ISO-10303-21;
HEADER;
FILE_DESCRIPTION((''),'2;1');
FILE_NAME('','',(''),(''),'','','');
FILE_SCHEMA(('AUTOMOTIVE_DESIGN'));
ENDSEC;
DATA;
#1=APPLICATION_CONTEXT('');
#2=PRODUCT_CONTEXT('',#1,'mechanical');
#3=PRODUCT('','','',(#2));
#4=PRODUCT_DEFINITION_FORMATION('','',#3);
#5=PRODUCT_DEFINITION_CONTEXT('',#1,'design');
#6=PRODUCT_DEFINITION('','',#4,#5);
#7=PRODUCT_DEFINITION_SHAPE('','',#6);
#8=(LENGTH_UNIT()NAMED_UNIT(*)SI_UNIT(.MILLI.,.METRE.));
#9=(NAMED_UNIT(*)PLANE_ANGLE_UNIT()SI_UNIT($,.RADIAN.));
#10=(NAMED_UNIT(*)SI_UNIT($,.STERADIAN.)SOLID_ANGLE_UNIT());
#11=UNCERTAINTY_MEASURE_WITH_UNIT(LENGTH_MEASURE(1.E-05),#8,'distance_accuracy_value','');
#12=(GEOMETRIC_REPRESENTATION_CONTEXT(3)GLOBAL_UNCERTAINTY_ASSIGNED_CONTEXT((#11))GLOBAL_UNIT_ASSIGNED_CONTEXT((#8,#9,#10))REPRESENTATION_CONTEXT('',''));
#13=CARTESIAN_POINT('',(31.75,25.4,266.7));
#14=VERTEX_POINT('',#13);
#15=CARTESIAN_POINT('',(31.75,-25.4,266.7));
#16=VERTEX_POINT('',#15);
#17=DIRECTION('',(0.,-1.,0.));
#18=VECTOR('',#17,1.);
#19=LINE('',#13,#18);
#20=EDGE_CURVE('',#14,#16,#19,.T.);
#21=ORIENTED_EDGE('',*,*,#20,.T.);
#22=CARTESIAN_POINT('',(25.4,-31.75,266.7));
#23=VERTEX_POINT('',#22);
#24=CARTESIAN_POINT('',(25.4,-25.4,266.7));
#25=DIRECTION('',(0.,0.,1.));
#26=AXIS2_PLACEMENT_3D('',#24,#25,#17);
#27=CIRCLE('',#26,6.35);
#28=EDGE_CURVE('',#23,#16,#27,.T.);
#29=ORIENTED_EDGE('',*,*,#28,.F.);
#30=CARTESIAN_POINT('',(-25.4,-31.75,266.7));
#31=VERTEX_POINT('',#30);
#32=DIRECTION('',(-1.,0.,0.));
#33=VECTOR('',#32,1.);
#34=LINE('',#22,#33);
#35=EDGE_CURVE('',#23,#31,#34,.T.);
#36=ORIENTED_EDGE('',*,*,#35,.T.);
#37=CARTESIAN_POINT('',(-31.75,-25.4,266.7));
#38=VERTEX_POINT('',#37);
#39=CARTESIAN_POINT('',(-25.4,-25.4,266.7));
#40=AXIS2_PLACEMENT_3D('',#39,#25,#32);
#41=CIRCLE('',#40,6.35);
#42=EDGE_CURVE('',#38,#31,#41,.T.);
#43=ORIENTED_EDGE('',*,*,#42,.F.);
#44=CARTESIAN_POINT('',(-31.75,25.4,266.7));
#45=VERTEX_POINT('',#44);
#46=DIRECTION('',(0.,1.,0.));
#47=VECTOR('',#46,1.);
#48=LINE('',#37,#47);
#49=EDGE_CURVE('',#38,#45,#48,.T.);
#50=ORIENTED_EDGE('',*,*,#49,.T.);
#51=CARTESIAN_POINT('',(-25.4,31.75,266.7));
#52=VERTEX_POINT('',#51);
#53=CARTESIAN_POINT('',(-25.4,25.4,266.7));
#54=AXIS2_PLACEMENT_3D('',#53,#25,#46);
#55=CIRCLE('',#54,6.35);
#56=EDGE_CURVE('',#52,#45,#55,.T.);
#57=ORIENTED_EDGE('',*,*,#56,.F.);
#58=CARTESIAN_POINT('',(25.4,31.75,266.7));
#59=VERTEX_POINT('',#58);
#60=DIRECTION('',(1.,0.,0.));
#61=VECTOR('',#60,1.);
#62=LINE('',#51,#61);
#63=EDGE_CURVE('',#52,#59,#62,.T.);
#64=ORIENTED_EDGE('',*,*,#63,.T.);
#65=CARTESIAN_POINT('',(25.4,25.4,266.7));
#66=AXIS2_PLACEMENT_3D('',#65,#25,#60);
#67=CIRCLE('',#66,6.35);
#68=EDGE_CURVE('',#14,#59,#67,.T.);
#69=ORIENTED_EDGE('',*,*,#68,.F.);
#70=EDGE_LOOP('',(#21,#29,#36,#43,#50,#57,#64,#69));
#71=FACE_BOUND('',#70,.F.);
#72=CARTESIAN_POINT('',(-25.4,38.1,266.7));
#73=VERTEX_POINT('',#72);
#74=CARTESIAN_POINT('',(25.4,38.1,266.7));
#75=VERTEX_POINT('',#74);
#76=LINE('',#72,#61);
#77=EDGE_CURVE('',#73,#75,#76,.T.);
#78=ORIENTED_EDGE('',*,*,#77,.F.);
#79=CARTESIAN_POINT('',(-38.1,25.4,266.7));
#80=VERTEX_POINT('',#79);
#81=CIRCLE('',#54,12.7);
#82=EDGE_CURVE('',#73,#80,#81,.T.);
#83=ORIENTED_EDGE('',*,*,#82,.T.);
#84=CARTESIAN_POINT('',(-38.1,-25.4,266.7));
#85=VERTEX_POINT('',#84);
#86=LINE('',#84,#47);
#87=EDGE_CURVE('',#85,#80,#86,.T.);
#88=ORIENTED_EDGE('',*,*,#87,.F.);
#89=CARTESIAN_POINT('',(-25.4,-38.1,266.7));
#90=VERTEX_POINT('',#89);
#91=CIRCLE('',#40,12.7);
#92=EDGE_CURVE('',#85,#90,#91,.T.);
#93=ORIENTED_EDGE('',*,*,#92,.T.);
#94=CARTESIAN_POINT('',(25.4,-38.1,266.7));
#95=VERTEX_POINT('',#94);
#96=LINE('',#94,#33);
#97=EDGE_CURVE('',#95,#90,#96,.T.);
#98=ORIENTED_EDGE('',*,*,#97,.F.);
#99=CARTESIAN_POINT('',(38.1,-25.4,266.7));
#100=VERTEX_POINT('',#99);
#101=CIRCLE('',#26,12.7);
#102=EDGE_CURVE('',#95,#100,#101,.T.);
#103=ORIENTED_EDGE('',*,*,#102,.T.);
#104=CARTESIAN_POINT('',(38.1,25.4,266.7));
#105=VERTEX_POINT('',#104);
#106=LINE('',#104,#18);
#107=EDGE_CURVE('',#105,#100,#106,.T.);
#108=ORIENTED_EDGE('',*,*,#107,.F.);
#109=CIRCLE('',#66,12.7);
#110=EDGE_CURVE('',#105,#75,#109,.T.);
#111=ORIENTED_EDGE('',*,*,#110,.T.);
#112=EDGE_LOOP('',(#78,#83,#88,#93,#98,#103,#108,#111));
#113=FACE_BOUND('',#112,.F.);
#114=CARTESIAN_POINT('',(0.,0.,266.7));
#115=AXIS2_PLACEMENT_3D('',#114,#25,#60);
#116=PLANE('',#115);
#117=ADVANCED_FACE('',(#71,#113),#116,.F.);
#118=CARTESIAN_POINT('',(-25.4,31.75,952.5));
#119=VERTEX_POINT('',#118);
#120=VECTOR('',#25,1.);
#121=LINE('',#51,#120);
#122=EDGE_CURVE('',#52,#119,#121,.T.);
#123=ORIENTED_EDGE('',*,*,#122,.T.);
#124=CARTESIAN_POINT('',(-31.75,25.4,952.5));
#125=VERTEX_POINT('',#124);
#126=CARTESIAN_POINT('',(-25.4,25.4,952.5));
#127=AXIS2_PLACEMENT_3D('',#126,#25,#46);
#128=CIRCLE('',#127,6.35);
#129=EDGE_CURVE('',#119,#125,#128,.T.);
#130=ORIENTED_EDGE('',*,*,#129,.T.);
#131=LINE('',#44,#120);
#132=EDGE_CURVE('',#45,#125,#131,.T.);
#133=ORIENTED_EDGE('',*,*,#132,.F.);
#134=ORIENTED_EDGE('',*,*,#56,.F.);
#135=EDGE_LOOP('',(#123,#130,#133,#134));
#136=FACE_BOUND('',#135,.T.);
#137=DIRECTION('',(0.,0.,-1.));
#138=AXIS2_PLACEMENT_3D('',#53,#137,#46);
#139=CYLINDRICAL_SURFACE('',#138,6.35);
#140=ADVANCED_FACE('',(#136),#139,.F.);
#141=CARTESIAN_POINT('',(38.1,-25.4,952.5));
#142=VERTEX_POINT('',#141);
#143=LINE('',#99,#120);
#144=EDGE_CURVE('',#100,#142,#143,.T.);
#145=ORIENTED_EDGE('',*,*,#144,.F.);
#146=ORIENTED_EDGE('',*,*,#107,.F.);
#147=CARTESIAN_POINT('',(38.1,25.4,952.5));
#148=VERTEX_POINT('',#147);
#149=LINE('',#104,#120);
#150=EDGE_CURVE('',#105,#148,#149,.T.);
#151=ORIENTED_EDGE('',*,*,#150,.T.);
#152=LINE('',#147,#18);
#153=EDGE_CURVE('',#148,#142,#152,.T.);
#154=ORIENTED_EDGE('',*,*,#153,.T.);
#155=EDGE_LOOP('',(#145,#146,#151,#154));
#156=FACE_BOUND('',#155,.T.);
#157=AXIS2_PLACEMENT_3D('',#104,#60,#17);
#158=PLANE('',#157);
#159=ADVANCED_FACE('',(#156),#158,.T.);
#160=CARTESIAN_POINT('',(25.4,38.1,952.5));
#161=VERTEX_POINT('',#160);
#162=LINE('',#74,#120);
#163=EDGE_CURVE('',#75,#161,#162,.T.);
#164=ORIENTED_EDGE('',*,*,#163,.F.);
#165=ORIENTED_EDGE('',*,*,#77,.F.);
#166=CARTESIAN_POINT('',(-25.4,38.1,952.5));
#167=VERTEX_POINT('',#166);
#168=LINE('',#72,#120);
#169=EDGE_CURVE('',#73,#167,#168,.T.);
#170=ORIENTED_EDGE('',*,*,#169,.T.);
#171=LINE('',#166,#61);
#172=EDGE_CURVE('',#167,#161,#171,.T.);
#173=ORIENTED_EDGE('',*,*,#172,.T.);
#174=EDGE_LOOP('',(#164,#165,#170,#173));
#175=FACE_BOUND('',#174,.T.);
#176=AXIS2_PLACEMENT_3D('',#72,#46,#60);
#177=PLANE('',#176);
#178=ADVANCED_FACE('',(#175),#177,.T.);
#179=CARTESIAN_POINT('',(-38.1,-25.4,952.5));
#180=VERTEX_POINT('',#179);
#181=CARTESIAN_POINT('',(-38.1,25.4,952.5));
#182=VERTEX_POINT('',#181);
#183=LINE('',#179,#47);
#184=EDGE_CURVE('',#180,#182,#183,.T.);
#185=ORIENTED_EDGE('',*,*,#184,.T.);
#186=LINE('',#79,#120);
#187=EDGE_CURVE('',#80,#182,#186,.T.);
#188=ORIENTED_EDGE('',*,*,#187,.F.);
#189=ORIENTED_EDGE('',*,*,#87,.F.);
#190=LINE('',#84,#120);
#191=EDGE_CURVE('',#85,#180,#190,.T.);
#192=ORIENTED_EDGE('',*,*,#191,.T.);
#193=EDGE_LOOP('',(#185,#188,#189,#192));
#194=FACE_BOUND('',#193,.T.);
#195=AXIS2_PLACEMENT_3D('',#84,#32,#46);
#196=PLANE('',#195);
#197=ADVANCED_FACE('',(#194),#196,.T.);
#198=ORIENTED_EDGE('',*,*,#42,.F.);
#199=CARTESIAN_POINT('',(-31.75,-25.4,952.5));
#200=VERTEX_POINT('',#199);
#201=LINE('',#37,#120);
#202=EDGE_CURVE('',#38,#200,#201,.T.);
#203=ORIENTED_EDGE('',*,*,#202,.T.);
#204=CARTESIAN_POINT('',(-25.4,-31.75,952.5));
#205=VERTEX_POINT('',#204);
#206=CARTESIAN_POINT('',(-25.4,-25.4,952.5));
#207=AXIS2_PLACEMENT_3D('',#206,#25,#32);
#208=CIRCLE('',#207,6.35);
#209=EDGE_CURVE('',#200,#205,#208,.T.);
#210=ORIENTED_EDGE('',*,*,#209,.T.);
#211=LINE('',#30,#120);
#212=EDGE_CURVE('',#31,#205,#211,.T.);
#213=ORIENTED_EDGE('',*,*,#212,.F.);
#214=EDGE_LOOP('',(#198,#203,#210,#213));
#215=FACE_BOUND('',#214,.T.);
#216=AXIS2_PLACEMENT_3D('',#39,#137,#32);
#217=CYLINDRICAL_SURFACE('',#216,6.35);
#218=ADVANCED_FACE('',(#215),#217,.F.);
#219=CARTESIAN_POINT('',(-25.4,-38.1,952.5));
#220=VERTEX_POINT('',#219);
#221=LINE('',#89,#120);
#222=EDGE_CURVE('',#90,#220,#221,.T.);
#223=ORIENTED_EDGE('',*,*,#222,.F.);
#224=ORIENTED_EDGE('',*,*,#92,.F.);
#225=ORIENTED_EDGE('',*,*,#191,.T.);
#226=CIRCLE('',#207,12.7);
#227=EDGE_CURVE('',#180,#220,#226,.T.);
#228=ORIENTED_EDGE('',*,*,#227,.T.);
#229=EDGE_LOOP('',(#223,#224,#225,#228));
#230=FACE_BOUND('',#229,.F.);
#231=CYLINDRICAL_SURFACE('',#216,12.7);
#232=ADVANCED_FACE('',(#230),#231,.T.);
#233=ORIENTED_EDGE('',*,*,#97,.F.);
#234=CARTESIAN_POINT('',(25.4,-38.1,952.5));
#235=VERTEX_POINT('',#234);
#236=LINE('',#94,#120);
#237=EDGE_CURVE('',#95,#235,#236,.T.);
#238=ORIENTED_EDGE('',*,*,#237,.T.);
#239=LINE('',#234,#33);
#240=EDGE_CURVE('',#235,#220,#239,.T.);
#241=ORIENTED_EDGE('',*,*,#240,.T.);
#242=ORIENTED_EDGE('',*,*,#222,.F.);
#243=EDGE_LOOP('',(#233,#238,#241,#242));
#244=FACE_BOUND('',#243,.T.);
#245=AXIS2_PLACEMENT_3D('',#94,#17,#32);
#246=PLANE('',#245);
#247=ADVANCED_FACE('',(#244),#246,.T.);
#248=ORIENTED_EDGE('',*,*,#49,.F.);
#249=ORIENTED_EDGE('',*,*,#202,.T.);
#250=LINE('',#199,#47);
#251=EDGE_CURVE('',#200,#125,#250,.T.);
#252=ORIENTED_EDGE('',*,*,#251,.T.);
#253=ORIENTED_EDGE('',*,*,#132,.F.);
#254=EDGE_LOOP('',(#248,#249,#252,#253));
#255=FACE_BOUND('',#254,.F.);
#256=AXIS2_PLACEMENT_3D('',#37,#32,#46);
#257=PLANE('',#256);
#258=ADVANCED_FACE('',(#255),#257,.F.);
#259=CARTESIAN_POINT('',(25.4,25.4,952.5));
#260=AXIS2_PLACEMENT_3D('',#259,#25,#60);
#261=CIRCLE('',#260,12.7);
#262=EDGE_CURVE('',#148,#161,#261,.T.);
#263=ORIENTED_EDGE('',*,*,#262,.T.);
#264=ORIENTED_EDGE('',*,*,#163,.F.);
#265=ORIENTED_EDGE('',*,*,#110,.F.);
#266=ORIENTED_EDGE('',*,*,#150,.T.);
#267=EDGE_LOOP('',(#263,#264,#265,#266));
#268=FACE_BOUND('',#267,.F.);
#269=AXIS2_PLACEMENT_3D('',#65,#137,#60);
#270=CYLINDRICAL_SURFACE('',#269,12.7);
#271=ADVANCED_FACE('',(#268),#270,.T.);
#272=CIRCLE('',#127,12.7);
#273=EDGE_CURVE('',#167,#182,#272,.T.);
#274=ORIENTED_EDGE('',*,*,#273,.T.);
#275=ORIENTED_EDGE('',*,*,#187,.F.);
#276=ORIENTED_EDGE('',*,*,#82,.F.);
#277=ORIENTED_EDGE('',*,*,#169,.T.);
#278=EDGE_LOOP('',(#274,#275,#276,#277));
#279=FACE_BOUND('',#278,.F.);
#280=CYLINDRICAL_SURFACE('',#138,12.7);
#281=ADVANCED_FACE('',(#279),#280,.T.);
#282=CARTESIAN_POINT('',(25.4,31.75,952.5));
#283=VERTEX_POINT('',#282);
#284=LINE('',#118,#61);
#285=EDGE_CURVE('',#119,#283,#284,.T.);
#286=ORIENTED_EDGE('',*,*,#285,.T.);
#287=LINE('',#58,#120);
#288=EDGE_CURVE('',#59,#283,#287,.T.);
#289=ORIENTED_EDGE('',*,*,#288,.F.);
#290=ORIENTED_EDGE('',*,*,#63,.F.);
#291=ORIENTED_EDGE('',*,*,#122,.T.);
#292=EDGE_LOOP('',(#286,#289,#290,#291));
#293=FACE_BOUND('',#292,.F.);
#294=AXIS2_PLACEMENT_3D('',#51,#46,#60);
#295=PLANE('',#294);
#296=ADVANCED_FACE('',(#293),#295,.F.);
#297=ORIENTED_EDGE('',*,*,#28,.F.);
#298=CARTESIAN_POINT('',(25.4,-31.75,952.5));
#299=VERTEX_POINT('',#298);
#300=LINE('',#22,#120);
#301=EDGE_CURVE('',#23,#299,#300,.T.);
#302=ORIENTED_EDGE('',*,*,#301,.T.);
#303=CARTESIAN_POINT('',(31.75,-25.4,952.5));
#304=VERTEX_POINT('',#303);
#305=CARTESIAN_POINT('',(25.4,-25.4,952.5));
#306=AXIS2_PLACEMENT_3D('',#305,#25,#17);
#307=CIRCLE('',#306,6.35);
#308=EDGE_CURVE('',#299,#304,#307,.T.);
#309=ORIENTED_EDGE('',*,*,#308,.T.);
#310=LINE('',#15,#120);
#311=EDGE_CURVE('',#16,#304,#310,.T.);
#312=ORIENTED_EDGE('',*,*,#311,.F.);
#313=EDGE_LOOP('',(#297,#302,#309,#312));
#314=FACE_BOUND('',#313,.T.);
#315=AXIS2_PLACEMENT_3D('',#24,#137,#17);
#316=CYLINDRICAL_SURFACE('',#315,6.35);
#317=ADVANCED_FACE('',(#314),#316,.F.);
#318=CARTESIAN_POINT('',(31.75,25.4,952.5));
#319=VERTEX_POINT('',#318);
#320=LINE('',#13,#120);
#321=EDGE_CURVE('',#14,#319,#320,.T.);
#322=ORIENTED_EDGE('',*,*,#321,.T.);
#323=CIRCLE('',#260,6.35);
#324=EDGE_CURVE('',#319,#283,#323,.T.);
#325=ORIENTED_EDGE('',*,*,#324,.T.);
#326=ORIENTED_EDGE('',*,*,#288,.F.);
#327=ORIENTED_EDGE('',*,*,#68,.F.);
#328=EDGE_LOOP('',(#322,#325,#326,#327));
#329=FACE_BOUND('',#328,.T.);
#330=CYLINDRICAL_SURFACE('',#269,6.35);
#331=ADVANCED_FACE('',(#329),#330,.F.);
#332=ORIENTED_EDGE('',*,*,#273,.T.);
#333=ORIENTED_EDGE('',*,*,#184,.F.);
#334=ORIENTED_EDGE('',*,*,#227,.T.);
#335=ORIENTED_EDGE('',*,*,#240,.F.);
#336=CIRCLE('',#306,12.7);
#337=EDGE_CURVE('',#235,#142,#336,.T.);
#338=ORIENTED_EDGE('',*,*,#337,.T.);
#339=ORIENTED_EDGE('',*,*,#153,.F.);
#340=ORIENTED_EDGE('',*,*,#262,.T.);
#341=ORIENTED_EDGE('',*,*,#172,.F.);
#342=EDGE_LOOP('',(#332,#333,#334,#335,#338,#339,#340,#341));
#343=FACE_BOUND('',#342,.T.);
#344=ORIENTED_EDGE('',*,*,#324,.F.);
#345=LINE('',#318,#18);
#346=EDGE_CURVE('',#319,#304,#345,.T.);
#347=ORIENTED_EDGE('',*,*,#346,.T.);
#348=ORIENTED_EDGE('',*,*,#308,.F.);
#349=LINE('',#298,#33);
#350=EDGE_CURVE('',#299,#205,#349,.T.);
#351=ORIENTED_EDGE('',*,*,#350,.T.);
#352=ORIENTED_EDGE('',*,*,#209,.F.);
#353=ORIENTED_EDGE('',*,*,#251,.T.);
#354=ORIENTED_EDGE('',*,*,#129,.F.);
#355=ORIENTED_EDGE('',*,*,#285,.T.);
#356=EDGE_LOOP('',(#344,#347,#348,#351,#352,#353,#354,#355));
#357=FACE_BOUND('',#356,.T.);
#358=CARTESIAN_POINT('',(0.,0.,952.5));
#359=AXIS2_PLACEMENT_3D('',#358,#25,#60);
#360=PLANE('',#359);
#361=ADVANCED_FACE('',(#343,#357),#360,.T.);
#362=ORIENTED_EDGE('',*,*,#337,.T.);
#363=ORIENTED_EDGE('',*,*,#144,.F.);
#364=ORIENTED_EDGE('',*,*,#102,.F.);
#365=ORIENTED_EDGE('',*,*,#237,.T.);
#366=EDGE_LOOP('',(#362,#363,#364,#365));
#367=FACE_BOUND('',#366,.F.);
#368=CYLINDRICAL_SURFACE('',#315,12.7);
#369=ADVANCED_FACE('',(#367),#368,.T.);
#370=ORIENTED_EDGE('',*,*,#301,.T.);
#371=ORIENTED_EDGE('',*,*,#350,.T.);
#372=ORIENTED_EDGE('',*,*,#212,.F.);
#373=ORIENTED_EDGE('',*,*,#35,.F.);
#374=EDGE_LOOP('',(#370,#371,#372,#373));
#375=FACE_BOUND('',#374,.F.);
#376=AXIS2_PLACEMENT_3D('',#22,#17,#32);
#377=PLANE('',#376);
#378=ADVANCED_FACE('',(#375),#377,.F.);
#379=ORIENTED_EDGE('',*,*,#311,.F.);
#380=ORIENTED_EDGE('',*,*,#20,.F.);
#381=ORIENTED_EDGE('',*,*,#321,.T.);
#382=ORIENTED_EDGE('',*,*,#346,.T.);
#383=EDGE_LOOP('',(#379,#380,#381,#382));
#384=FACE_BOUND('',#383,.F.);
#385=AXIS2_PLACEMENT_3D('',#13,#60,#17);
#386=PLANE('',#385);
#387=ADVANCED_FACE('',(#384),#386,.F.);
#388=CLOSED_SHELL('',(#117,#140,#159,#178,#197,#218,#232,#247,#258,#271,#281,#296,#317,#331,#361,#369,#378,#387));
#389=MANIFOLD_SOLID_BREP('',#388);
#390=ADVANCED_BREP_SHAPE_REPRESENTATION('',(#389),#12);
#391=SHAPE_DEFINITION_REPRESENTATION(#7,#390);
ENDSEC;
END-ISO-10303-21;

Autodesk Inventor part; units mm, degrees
ref_plane "Start plane" through (0, 0, 266.7) normal (0, 0, 1) x (1, 0, 0)
ref_plane "End plane" through (0, 0, 952.5) normal (0, 0, 1) x (1, 0, 0)
sketch "Sketch" plane through (0, 0, 0) normal (0, 0, 1) x (1, 0, 0)
  line L0 (-38.1, -25.4) -> (-38.1, 25.4)
  line L1 (-25.4, 38.1) -> (25.4, 38.1)
  line L2 (38.1, 25.4) -> (38.1, -25.4)
  line L3 (25.4, -38.1) -> (-25.4, -38.1)
  arc A0 (-38.1, -25.4) -> (-25.4, -38.1) centre (-25.4, -25.4) ccw
  arc A1 (-25.4, 38.1) -> (-38.1, 25.4) centre (-25.4, 25.4) ccw
  arc A2 (38.1, 25.4) -> (25.4, 38.1) centre (25.4, 25.4) ccw
  arc A3 (25.4, -38.1) -> (38.1, -25.4) centre (25.4, -25.4) ccw
  arc A4 (-25.4, 31.75) -> (-31.75, 25.4) centre (-25.4, 25.4) ccw
  line L4 (-25.4, 31.75) -> (25.4, 31.75)
  arc A5 (31.75, 25.4) -> (25.4, 31.75) centre (25.4, 25.4) ccw
  line L5 (31.75, 25.4) -> (31.75, -25.4)
  arc A6 (25.4, -31.75) -> (31.75, -25.4) centre (25.4, -25.4) ccw
  line L6 (25.4, -31.75) -> (-25.4, -31.75)
  arc A7 (-31.75, -25.4) -> (-25.4, -31.75) centre (-25.4, -25.4) ccw
  line L7 (-31.75, -25.4) -> (-31.75, 25.4)
  line L8 (0, 57.0224) -> (0, -57.0224) construction
  line L9 (-57.0224, 0) -> (57.0224, 0) construction
  dimension "d10" = 76.2
  dimension "d11" = 76.2
  dimension "d12" = 6.35
  dimension "d15" = 38.1
  dimension "d16" = 38.1
  dimension "d17" = 12.7
extrude "Body" add sketch "Sketch" along normal up to surface (685.8 mm away) from surface at 266.7
sketch "Sketch3" plane through (0, 0, 0) normal (0, 0, 1) x (1, 0, 0)
  line L0 (0, 0) -> (10, 0)
ref_plane "Work Plane3" through (0, 0, 0) normal (0, -1, 0) x (1, 0, 0)
sketch "Sketch4" plane through (0, 0, 0) normal (0, -1, 0) x (1, 0, 0)
  line L0 (-2, 266.7) -> (12, 266.7)
  line L1 (-2, 952.5) -> (12, 952.5)
  dimension "d19" = 685.8
ref_plane "Work Plane4" through (-2400.3, 25.4, 952.5) normal (0, 0, 1) x (1, 0, 0)
split "Split1" plane through (-2400.3, 25.4, 952.5) removes the side toward (0, 0, 1)
ref_plane "Work Plane5" through (-2400.3, -25.4, 266.7) normal (0, 0, -1) x (-1, 0, 0)
split "Split2" plane through (-2400.3, -25.4, 266.7) removes the side toward (0, 0, -1)
equation "\"d10\" = G_H"
equation "\"d11\" = G_W"
equation "\"d12\" = G_T"
equation "\"d15\" = 0.5 * d10"
equation "\"d16\" = 0.5 * d11"
equation "\"d17\" = G_IR"
equation "\"d3\" = G_L"
equation "\"G_W\" = 76.2"
equation "\"G_H\" = 76.2"
equation "\"G_T\" = 6.35"
equation "\"G_IR\" = 12.7"
equation "\"G_L\" = d19"
equation "\"G_OFFSET_START\" = -266.7"
equation "\"G_OFFSET_END\" = -266.7"
equation "\"d13\" = -G_OFFSET_START"
equation "\"d14\" = G_OFFSET_END + B_L"
equation "\"B_L\" = 1219.2"
properties part number "AISC - 3x3x1/4 - 27" material "Steel, Mild"
